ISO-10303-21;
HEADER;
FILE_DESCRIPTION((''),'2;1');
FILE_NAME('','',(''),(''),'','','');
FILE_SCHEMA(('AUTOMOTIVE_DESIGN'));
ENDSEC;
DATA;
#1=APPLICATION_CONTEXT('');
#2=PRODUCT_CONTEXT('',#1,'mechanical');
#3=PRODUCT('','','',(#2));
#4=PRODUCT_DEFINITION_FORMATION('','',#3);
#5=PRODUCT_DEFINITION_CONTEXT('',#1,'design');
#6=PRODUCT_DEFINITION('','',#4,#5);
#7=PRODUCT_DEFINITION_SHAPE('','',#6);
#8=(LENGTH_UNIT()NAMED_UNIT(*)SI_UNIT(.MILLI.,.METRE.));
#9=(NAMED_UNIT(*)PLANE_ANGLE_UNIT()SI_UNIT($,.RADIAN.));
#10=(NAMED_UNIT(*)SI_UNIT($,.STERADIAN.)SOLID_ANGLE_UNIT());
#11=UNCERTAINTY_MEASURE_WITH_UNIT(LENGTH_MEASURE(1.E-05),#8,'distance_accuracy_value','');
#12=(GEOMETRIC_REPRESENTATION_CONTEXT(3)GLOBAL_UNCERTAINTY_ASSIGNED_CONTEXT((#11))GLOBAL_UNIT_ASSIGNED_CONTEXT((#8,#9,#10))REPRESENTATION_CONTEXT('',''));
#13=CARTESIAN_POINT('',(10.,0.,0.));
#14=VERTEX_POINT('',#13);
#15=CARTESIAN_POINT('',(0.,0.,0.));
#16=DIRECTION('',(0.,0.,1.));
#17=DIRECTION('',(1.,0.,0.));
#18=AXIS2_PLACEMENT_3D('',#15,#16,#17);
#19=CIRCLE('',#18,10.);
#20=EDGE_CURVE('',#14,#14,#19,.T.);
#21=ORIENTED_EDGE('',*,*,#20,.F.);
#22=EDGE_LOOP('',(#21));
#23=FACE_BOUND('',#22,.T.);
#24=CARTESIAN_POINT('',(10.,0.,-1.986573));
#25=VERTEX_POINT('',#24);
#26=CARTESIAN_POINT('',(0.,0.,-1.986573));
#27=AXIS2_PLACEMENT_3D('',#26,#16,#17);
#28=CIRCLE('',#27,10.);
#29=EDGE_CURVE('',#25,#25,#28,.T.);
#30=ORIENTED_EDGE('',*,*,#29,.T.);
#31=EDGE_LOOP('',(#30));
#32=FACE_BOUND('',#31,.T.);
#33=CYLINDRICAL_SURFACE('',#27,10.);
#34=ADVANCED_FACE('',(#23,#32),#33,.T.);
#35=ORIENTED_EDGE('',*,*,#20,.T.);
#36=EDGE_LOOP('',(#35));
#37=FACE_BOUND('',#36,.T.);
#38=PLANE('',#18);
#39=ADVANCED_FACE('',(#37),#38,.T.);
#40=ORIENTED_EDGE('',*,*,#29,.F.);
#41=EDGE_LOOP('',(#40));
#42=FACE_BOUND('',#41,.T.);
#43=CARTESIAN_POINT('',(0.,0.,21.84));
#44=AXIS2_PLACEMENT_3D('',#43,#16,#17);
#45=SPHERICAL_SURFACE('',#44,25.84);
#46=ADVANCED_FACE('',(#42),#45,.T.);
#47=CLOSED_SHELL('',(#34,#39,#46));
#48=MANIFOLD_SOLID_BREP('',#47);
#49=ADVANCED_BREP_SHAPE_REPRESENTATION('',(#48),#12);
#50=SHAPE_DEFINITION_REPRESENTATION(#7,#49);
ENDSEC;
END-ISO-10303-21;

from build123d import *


with BuildPart() as part:
    # 草图1 → 旋转1 (revolve)
    with BuildSketch(Plane(origin=(0, 0, 0), x_dir=(1, 0, 0), z_dir=(0, 1, 0))):
        with BuildLine():
            Line((0, 0), (10, 0))
            Line((10, 0), (10, 1.9865734))
            ThreePointArc((10, 1.9865734), (5.100340348, 3.491642827), (0, 4))
            Line((0, 4), (0, 1.9865734))
            Line((0, 1.9865734), (0, 0))
        make_face()
    revolve(axis=Axis((0, 0, -1.9865734), (0, 0, -1)))


solid = part.part
